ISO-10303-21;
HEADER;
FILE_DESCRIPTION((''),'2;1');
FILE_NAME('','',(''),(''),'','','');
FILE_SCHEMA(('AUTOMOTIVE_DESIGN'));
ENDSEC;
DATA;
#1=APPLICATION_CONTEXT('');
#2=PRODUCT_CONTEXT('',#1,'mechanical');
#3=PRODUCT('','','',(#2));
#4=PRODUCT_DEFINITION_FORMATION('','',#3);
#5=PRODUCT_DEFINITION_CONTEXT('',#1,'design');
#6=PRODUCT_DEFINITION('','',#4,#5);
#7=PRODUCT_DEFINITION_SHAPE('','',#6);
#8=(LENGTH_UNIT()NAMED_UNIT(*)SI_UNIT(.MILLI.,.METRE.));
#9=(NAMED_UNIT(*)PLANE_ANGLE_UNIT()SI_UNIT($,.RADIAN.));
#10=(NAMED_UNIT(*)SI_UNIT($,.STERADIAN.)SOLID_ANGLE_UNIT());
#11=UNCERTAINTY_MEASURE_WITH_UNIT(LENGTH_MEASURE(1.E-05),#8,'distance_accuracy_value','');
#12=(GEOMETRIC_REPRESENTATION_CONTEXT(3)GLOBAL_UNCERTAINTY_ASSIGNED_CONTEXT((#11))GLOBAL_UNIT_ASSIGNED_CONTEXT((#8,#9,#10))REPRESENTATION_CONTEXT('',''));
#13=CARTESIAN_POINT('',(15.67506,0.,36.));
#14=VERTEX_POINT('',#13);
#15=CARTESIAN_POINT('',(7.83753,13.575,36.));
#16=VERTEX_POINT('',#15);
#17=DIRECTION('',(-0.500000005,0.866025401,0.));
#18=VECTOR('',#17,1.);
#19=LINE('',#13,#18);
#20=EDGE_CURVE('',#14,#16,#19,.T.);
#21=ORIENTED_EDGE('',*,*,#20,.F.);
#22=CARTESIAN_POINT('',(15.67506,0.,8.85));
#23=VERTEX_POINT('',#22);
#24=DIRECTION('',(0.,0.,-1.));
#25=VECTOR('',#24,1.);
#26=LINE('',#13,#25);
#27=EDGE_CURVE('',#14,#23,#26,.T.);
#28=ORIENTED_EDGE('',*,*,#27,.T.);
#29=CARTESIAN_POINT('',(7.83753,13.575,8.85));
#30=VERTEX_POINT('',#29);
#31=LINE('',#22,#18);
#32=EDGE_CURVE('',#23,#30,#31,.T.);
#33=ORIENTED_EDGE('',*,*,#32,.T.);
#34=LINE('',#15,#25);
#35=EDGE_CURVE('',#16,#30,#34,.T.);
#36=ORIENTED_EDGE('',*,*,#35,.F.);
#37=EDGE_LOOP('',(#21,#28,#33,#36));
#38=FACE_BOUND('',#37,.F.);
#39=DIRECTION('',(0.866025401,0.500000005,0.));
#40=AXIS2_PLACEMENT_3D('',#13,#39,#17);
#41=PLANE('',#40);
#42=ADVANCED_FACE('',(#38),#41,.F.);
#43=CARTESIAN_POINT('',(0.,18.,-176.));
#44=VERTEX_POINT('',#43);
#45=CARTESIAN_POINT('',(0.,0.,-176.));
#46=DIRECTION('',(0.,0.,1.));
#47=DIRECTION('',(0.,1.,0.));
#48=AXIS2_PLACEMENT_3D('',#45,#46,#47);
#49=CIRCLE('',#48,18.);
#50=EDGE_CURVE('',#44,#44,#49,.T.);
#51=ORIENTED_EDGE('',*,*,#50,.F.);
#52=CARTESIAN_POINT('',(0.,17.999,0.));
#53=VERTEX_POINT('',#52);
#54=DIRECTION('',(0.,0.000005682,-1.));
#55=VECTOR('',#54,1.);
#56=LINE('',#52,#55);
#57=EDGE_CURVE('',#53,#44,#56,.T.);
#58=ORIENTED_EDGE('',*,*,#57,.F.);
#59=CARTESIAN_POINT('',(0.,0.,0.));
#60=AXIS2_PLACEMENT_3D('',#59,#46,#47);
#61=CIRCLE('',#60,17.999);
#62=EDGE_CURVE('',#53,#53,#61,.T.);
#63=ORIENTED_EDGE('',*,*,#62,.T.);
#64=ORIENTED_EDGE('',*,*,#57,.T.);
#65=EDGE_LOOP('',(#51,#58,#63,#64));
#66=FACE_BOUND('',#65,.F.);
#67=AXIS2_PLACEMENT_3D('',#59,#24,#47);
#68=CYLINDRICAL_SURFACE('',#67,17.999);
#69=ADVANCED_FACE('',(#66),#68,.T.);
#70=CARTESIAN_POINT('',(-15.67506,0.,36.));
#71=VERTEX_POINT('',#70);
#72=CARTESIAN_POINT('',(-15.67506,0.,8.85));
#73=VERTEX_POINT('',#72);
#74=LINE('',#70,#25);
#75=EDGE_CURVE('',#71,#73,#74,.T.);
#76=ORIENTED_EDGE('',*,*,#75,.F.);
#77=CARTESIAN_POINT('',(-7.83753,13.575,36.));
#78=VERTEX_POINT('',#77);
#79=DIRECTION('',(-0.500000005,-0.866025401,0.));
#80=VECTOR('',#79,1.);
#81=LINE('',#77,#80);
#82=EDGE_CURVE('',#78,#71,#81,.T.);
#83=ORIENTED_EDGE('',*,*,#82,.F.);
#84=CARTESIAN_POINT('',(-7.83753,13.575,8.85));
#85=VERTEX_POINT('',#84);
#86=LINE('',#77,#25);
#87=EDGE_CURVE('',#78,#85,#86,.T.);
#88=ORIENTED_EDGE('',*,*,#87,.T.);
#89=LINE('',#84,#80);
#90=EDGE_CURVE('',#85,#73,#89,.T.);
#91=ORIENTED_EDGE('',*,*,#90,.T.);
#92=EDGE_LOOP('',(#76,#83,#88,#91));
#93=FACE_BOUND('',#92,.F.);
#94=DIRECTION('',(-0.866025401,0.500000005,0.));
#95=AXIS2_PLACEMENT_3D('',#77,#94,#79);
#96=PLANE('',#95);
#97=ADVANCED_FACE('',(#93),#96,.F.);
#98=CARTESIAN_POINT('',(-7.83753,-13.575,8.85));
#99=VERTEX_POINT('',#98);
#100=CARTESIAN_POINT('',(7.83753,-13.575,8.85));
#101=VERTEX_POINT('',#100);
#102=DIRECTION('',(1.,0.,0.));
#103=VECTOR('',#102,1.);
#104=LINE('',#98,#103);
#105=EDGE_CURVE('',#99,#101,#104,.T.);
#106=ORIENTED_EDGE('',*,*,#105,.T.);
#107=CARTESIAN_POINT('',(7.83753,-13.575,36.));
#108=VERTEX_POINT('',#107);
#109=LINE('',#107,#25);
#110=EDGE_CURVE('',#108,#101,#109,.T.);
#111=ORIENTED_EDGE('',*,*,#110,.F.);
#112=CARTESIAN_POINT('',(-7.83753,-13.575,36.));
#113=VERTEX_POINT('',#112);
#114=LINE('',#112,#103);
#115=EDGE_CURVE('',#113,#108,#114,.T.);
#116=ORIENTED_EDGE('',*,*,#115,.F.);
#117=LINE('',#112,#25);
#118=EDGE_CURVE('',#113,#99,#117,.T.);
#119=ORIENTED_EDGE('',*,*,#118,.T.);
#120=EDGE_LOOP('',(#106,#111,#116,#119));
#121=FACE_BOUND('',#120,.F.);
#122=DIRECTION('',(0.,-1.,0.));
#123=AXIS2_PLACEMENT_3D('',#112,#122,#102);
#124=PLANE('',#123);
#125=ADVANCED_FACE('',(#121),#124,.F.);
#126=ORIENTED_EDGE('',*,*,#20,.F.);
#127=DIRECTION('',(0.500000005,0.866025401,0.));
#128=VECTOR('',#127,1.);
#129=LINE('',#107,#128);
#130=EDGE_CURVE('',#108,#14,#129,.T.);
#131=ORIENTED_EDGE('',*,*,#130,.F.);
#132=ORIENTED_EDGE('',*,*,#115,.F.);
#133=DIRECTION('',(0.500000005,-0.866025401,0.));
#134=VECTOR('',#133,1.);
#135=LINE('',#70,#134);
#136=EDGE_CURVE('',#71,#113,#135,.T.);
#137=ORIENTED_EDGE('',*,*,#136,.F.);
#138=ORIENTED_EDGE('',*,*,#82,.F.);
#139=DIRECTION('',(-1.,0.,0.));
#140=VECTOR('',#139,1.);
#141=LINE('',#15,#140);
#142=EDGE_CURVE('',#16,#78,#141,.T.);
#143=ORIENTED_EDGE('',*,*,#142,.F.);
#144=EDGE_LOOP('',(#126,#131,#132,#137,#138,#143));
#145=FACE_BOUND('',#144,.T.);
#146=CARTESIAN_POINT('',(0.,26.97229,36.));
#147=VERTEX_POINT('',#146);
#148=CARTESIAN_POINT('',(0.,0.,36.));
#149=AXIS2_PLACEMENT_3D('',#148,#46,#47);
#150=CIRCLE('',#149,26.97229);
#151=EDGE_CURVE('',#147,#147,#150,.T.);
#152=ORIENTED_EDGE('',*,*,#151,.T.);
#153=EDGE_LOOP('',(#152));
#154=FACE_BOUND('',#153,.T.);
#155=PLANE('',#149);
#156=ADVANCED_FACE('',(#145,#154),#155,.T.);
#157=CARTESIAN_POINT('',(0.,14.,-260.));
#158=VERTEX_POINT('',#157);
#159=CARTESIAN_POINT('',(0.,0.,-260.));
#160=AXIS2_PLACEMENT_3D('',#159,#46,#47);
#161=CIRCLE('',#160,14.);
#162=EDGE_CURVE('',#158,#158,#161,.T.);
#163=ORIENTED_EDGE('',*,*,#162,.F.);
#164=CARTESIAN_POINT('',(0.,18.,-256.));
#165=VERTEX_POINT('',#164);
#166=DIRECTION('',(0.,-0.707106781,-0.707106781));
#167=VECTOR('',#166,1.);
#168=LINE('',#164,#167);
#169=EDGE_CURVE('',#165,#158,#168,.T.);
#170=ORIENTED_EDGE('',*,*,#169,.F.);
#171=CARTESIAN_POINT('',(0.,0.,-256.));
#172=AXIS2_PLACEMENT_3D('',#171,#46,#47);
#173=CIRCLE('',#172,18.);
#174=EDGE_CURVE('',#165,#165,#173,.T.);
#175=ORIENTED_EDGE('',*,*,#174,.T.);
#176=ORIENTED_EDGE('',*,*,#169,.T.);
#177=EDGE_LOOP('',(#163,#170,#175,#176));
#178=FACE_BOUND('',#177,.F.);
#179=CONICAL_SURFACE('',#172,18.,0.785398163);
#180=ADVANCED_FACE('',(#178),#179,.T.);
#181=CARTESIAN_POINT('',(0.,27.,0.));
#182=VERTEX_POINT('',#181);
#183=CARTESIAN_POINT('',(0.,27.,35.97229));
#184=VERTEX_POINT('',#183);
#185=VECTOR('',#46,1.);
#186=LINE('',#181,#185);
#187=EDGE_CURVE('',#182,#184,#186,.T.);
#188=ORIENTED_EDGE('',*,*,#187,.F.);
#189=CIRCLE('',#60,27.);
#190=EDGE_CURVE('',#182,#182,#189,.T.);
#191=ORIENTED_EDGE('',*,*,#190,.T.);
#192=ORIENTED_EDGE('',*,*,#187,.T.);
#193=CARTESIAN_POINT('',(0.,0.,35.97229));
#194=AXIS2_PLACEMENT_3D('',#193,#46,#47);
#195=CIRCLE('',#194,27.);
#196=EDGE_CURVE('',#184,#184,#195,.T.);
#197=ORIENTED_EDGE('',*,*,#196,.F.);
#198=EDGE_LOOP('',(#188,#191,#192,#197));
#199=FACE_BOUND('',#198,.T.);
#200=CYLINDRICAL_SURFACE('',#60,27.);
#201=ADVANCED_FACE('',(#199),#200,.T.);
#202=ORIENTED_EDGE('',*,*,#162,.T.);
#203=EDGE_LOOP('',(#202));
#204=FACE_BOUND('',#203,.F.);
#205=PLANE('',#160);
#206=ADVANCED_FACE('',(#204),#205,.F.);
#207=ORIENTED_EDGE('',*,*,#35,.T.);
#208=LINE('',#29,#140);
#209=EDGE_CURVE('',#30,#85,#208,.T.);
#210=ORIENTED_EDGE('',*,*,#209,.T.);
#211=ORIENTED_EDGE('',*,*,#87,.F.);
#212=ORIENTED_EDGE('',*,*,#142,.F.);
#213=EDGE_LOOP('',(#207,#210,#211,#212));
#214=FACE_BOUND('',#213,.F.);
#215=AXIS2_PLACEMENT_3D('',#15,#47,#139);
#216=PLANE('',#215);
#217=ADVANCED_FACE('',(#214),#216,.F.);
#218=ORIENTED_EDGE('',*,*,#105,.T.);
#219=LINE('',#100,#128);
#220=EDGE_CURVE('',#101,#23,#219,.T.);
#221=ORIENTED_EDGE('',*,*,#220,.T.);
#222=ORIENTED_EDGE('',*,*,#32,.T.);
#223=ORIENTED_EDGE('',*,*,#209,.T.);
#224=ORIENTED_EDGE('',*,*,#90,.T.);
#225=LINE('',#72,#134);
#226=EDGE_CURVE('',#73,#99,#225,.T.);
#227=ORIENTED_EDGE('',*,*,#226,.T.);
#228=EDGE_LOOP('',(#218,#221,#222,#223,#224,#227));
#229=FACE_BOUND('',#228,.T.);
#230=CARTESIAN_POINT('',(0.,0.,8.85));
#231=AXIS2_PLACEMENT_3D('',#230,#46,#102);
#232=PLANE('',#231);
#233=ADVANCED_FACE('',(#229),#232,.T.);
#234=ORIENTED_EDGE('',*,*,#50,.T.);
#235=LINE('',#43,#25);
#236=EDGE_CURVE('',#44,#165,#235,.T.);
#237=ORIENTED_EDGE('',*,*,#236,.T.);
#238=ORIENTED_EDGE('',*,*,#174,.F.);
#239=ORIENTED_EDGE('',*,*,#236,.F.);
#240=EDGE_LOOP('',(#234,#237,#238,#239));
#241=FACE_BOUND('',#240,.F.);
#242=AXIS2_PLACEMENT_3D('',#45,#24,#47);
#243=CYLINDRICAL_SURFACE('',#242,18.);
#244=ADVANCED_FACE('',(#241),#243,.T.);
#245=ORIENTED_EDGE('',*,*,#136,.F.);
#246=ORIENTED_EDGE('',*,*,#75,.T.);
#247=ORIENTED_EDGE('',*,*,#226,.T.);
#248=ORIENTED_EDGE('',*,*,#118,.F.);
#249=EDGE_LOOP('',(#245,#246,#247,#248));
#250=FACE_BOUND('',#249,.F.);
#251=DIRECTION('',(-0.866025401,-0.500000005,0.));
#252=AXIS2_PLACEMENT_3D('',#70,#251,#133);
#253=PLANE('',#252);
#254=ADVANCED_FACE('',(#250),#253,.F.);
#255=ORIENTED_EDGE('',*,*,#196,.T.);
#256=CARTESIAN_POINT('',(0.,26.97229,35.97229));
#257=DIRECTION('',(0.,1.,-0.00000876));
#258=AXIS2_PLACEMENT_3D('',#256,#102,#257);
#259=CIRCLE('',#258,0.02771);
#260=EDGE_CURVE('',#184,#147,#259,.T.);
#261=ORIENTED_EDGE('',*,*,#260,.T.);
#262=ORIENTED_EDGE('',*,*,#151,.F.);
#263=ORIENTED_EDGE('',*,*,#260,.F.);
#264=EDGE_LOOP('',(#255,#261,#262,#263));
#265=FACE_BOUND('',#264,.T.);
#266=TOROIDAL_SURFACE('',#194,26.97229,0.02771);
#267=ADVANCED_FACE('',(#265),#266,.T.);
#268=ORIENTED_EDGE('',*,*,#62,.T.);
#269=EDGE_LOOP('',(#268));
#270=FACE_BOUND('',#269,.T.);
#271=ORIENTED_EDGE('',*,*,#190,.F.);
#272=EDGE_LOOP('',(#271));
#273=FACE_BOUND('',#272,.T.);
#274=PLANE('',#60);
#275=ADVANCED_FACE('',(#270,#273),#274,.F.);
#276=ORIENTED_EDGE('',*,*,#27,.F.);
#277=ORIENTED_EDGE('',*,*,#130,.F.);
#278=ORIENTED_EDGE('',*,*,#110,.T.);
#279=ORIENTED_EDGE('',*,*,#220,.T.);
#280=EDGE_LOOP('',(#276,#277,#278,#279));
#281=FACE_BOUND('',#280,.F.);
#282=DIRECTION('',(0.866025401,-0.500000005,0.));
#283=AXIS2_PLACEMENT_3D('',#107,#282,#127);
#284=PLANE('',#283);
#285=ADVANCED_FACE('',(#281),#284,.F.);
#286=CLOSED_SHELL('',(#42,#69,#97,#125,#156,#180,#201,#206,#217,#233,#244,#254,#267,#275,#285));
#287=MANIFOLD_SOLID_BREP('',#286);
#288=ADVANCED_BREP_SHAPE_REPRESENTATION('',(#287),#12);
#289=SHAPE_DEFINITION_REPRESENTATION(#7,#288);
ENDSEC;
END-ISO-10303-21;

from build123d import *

# Parameters (mm, degrees)
POCKET_DEPTH = 27.15


with BuildPart() as part:
    # Sketch → Revolve (revolve)
    with BuildSketch(Plane.YZ):
        with BuildLine():
            Line((17.999, 0), (27, 0))
            Line((27, 0), (27, 35.97229))
            ThreePointArc((27, 35.97229), (26.991884, 35.991884), (26.97229, 36))
            Line((26.97229, 36), (0, 36))
            Line((0, -260), (0, 36))
            Line((14, -260), (0, -260))
            Line((18, -256), (14, -260))
            Line((18, -176), (18, -256))
            Line((17.999, 0), (18, -176))
        make_face()
    revolve(axis=Axis((0, 0, 0), (0, 0, 1)))

    # Sketch001 → Pocket (cut)
    with BuildSketch(Plane.XY.offset(36)):
        Polygon((15.67506, 0), (7.83753, 13.575), (-7.83753, 13.575), (-15.67506, 0), (-7.83753, -13.575), (7.83753, -13.575), align=None)
    extrude(amount=-POCKET_DEPTH, mode=Mode.SUBTRACT)


solid = part.part
